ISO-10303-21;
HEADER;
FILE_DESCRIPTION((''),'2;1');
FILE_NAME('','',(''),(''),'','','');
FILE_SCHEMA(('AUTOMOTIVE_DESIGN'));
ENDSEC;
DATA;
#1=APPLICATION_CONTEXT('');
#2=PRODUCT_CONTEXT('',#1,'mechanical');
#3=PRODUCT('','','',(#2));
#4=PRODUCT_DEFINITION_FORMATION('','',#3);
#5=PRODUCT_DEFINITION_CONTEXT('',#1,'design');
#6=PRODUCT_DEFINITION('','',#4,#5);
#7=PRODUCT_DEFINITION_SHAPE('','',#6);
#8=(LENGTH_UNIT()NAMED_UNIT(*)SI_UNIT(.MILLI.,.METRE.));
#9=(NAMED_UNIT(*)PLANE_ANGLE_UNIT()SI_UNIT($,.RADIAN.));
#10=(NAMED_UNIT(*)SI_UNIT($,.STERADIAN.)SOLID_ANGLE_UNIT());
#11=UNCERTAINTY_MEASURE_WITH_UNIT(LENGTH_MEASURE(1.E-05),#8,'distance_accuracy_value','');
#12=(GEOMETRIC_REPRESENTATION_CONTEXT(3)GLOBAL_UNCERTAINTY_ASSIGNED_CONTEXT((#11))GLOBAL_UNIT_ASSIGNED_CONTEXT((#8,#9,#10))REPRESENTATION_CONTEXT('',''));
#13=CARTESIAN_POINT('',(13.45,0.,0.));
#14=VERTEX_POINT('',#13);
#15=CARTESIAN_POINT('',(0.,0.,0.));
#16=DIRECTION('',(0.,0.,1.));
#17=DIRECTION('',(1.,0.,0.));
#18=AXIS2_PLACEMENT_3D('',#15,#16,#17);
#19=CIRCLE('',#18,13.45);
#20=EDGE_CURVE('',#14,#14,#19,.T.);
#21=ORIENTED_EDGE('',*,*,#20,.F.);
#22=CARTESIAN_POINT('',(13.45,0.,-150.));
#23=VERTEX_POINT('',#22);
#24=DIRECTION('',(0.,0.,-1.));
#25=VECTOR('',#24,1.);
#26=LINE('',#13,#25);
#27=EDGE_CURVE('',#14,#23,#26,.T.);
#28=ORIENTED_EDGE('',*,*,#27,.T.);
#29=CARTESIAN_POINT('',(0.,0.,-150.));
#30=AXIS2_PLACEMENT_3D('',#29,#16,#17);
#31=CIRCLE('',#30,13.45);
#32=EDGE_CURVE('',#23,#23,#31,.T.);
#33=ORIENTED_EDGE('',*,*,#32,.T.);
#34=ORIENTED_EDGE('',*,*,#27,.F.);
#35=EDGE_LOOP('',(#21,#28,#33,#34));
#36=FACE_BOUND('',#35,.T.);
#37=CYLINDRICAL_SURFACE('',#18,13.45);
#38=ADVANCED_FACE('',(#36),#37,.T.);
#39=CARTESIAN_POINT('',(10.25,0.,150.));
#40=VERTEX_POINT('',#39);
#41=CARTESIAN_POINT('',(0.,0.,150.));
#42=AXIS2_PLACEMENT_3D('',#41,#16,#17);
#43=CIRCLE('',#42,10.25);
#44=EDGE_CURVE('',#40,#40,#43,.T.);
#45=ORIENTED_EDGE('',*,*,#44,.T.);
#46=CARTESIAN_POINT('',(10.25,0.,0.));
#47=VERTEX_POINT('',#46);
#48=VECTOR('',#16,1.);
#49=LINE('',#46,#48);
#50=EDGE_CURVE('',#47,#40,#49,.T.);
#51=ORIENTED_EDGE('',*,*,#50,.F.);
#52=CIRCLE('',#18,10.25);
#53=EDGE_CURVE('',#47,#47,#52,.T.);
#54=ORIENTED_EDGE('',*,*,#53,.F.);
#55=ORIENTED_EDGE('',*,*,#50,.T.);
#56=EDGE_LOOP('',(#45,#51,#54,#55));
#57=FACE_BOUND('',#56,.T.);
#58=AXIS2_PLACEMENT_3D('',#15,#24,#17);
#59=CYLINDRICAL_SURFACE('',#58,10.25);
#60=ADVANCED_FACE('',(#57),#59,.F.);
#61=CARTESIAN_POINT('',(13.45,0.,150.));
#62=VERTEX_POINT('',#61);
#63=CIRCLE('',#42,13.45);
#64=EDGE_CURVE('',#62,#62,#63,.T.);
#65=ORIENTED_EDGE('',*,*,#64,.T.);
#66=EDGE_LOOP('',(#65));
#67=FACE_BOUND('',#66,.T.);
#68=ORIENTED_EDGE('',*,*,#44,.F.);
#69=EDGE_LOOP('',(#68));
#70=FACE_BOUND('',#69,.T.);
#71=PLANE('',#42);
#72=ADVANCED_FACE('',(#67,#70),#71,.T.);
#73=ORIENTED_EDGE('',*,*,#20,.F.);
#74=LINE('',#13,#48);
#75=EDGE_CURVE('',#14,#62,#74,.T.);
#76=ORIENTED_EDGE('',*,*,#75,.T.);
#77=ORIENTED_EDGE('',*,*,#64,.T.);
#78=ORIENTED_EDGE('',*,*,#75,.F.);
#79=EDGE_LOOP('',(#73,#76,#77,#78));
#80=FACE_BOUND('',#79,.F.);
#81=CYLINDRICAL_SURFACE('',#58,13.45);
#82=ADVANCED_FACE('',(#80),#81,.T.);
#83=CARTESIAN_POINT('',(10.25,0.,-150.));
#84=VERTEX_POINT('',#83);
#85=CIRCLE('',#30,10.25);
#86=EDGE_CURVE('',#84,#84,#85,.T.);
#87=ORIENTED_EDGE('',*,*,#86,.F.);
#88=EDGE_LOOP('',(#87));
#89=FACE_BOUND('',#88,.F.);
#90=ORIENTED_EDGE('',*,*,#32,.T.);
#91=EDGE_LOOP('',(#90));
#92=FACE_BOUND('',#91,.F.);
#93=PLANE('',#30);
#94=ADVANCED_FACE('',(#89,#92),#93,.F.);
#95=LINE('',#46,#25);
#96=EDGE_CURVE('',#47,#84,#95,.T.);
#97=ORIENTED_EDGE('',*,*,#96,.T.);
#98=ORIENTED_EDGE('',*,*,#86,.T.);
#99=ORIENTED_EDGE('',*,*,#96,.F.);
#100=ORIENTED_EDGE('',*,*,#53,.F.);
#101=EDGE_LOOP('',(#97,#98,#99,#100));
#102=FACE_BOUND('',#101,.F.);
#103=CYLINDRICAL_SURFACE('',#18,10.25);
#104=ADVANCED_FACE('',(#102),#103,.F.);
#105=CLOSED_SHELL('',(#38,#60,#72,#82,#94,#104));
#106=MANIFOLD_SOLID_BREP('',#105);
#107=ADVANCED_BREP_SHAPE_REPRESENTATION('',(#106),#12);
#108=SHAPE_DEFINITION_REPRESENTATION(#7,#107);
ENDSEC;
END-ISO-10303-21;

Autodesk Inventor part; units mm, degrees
ref_plane "YZ Plane" through (0, 0, 0) normal (1, 0, 0) x (0, 1, 0)
ref_plane "XZ Plane" through (0, 0, 0) normal (0, 1, 0) x (-1, 0, 0)
ref_plane "XY Plane" through (0, 0, 0) normal (0, 0, 1) x (1, 0, 0)
sketch "Sketch1" plane through (0, 0, 0) normal (0, 0, 1) x (1, 0, 0)
  circle A0 centre (0, 0) radius 13.45
  circle A1 centre (0, 0) radius 10.25
  dimension "OD" = 26.9
  dimension "t" = 3.2
extrude "Extrusion1" add sketch "Sketch1" along normal mid plane 300
equation "\"size\" = 5"
properties part number "tube-03"
